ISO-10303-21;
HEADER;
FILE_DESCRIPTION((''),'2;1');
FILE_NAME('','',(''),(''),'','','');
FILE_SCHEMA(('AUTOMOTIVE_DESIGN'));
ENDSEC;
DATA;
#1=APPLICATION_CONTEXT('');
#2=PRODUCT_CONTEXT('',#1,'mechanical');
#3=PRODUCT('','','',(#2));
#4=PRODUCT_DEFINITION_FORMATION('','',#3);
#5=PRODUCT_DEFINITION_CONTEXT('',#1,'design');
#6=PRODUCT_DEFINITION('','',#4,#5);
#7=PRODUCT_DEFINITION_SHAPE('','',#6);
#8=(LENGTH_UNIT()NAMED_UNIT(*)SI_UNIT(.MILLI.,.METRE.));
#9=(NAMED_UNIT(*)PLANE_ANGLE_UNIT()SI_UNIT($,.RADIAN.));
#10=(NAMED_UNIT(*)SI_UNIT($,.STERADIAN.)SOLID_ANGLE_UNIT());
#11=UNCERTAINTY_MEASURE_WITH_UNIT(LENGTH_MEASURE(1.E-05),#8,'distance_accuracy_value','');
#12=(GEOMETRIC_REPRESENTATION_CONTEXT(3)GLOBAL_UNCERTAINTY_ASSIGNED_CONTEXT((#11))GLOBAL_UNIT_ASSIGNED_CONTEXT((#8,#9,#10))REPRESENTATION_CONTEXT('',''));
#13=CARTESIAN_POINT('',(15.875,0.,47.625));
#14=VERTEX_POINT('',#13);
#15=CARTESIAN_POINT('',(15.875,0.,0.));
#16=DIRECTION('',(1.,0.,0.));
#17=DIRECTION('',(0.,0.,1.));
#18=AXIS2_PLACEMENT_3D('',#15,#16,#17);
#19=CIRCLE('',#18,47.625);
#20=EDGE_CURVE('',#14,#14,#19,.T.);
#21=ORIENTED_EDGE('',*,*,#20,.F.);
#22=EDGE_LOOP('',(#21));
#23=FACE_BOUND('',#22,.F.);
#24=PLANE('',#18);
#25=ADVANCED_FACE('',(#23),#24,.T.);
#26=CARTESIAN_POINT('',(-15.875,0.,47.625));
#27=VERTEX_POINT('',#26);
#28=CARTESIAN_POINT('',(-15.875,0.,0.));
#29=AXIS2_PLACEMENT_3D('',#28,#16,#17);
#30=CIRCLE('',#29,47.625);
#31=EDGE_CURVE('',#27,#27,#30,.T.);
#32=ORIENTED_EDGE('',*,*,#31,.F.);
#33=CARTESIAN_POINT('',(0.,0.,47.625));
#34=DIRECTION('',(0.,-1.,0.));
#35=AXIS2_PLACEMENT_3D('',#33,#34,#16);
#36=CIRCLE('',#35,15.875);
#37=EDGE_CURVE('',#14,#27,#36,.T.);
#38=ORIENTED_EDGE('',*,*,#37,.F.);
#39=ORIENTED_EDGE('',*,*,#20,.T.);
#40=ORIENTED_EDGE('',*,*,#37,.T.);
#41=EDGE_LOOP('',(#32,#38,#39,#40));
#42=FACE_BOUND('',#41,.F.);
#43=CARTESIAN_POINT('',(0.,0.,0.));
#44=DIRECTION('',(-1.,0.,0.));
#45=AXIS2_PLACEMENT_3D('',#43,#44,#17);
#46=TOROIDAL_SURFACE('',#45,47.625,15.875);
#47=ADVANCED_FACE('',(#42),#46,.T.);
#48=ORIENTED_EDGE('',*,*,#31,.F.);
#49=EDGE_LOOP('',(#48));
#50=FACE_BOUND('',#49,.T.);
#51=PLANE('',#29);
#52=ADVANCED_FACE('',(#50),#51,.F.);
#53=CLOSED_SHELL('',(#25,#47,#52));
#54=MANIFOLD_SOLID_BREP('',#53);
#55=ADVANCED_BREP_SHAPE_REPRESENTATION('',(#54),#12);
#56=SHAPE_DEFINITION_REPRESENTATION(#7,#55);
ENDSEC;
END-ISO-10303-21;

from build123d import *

# Parameters (mm, degrees)
F0_W = 31.75
F0_H = 47.625


with BuildPart() as f1:
    # F0 (on Front) → F1 (revolve)
    with BuildSketch(Plane.XZ):
        with BuildLine():
            ThreePointArc((15.875, 47.625), (0, 63.5), (-15.875, 47.625))
            Line((-15.875, 47.625), (15.875, 47.625))
        make_face()
        with Locations((0, 23.8125)):
            Rectangle(F0_W, F0_H)
    revolve(axis=Axis((0, 0, 0), (1, 0, 0)))


solid = f1.part
